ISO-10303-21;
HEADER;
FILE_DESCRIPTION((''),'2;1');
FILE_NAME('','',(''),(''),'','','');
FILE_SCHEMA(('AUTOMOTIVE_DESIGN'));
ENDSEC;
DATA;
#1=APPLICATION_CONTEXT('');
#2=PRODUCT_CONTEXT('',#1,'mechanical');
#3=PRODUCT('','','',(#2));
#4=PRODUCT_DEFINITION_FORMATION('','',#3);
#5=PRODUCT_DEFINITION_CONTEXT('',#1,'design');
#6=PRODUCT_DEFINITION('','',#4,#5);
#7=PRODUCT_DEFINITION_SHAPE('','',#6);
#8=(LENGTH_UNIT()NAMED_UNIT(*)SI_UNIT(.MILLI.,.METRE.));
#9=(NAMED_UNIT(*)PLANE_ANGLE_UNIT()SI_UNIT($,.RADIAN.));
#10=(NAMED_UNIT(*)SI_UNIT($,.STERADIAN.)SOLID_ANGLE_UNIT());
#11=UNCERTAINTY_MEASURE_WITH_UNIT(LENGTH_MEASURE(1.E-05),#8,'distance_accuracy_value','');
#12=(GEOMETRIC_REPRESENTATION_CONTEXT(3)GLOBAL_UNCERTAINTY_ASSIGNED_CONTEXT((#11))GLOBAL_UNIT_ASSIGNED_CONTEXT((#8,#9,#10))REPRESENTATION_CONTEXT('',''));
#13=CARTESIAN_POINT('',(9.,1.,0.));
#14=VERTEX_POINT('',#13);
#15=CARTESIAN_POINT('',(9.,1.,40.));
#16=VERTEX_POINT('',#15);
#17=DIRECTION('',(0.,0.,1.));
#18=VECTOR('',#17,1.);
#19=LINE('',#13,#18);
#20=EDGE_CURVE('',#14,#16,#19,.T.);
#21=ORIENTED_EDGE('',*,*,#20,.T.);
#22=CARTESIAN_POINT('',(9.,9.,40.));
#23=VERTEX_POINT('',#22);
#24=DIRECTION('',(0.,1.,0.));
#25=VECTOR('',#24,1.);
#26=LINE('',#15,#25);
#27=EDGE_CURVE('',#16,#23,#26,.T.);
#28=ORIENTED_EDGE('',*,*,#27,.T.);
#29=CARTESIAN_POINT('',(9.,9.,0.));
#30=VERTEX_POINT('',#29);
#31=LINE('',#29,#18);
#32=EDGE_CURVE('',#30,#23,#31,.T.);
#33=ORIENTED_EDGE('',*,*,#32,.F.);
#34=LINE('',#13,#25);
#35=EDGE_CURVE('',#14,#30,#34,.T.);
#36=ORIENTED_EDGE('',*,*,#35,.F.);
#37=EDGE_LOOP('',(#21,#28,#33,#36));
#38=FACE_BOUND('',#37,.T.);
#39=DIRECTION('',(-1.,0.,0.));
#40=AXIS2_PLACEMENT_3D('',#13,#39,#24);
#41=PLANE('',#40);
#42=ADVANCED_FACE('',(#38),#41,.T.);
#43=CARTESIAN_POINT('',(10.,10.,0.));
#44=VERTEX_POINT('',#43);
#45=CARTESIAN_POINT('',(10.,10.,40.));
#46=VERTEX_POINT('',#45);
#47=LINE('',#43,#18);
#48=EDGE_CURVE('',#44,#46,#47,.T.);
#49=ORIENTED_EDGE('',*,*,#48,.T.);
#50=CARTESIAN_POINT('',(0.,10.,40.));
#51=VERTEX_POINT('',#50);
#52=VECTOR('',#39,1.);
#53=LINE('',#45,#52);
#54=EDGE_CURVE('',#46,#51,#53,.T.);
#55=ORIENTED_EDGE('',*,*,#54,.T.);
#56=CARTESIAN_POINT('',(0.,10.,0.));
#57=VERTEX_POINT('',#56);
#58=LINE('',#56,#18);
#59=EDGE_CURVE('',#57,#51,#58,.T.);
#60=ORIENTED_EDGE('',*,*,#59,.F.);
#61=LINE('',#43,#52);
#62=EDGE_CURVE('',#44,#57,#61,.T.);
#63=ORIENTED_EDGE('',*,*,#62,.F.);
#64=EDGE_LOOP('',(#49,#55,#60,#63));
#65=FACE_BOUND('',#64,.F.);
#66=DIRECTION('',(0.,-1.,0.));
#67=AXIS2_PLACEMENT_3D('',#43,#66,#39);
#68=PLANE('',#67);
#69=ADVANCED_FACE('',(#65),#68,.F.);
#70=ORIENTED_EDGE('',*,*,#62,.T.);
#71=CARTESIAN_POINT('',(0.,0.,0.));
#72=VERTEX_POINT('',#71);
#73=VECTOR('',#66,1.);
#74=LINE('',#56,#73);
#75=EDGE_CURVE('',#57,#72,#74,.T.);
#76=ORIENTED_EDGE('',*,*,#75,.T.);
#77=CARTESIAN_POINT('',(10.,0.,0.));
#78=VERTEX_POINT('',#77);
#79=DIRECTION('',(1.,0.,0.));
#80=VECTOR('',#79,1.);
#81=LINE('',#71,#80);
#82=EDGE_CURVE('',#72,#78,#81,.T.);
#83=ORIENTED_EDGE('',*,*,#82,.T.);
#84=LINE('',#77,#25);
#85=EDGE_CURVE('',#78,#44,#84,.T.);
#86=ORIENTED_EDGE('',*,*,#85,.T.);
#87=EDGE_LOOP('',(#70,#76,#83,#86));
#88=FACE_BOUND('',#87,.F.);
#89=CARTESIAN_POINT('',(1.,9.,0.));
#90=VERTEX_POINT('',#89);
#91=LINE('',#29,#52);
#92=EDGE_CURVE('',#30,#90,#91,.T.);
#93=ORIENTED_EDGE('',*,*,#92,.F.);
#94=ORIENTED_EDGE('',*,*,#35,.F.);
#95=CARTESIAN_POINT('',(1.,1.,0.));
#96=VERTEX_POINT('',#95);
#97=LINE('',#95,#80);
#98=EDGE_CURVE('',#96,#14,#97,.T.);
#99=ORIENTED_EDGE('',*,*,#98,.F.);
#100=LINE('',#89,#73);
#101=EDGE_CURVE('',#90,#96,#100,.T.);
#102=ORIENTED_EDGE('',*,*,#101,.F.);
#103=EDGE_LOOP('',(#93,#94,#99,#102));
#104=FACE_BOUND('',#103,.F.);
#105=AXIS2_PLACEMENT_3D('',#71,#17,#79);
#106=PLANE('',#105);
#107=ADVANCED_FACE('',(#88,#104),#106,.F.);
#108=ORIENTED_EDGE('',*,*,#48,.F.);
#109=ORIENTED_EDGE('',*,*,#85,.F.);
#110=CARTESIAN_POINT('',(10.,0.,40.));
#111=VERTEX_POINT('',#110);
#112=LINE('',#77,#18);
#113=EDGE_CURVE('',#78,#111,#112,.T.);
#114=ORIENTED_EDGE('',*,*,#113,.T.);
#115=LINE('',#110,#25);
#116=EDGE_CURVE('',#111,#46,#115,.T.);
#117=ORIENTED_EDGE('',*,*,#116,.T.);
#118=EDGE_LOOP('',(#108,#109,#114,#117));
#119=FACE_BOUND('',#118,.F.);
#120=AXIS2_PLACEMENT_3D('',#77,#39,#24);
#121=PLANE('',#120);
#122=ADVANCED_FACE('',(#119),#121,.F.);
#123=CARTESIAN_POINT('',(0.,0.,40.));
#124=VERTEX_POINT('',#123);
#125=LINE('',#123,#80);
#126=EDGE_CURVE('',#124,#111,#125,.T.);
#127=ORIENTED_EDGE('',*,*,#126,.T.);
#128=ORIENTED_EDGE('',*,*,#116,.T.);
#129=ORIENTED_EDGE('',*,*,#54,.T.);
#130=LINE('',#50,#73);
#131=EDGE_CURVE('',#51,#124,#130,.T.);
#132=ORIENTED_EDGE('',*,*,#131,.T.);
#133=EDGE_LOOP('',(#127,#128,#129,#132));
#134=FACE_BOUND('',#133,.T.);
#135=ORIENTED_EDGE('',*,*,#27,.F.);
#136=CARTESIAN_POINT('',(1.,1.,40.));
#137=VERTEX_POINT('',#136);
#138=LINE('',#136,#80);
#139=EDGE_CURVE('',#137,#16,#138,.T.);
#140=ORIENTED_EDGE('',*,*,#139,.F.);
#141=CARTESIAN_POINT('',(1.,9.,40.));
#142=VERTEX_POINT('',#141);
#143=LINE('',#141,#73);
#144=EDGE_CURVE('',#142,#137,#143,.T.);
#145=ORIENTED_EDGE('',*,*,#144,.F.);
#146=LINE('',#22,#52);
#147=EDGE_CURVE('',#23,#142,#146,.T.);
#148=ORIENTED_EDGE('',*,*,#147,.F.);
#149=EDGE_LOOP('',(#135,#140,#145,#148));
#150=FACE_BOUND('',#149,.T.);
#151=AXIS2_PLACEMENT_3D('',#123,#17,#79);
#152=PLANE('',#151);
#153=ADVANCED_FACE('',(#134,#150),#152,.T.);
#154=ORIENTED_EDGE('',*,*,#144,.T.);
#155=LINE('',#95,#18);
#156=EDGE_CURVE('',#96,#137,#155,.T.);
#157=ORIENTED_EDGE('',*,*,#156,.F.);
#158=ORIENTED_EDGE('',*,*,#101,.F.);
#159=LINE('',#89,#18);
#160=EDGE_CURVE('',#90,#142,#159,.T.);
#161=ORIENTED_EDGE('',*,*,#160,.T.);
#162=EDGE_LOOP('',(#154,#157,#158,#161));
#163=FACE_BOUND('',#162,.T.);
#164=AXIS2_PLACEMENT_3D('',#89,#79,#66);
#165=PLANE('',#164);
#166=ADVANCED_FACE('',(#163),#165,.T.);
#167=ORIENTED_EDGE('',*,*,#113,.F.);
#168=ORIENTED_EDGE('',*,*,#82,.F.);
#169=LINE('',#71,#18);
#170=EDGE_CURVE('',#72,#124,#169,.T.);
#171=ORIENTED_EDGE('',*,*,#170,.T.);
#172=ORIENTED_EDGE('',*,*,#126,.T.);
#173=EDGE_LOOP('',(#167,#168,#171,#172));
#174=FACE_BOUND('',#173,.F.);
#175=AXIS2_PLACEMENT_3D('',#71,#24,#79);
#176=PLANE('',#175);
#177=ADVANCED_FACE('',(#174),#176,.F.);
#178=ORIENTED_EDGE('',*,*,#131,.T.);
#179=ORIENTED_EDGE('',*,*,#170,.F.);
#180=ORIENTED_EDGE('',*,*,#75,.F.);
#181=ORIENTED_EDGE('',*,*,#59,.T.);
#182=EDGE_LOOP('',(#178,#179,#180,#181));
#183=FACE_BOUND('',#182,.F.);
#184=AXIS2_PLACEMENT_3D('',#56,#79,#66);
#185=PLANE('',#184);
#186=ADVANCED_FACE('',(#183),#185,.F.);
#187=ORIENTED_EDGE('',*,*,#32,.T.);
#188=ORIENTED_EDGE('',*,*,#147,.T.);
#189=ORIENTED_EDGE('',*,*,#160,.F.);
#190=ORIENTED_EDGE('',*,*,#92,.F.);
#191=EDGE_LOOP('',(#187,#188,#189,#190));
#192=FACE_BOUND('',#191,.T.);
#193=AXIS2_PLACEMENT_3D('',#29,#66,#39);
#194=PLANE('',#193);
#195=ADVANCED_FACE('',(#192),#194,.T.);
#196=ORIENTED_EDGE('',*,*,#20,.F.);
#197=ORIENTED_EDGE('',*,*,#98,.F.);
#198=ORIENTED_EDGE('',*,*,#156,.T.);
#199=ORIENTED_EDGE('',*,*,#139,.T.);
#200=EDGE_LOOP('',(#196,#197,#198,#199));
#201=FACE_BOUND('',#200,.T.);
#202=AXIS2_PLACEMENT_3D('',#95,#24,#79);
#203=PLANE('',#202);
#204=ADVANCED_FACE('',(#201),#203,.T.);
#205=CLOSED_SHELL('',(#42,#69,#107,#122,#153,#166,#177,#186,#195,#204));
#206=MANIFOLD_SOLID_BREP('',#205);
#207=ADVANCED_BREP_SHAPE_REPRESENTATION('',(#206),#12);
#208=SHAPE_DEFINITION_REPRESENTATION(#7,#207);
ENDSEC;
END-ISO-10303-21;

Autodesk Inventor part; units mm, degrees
ref_plane "YZ Plane" through (0, 0, 0) normal (1, 0, 0) x (0, 1, 0)
ref_plane "XZ Plane" through (0, 0, 0) normal (0, 1, 0) x (-1, 0, 0)
ref_plane "XY Plane" through (0, 0, 0) normal (0, 0, 1) x (1, 0, 0)
sketch "スケッチ1" plane through (0, 0, 0) normal (0, 0, 1) x (1, 0, 0)
  line L0 (0, 0) -> (10, 0)
  line L1 (10, 0) -> (10, 10)
  line L2 (10, 10) -> (0, 10)
  line L3 (0, 10) -> (0, 0)
  line L4 (1, 1) -> (9, 1)
  line L5 (9, 1) -> (9, 9)
  line L6 (9, 9) -> (1, 9)
  line L7 (1, 9) -> (1, 1)
  dimension "d0" = 10
  dimension "d1" = 10
  dimension "d2" = 8
  dimension "d3" = 8
  dimension "d4" = 1
  dimension "d5" = 1
extrude "押し出し1" add sketch "スケッチ1" along normal blind 40
equation "\"BendRadius\" = Thickness"
equation "\"BendReliefWidth\" = Thickness"
equation "\"BendReliefDepth\" = 0.5 * Thickness"
equation "\"CornerReliefSize\" = 4 * Thickness"
equation "\"MinimumRemnant\" = 2 * Thickness"
equation "\"TransitionRadius\" = BendRadius"
equation "\"JacobiRadiusSize\" = BendRadius"
equation "\"GapSize\" = Thickness"
equation "\"Thickness\" = 0.5"
properties part number "nhk33"
